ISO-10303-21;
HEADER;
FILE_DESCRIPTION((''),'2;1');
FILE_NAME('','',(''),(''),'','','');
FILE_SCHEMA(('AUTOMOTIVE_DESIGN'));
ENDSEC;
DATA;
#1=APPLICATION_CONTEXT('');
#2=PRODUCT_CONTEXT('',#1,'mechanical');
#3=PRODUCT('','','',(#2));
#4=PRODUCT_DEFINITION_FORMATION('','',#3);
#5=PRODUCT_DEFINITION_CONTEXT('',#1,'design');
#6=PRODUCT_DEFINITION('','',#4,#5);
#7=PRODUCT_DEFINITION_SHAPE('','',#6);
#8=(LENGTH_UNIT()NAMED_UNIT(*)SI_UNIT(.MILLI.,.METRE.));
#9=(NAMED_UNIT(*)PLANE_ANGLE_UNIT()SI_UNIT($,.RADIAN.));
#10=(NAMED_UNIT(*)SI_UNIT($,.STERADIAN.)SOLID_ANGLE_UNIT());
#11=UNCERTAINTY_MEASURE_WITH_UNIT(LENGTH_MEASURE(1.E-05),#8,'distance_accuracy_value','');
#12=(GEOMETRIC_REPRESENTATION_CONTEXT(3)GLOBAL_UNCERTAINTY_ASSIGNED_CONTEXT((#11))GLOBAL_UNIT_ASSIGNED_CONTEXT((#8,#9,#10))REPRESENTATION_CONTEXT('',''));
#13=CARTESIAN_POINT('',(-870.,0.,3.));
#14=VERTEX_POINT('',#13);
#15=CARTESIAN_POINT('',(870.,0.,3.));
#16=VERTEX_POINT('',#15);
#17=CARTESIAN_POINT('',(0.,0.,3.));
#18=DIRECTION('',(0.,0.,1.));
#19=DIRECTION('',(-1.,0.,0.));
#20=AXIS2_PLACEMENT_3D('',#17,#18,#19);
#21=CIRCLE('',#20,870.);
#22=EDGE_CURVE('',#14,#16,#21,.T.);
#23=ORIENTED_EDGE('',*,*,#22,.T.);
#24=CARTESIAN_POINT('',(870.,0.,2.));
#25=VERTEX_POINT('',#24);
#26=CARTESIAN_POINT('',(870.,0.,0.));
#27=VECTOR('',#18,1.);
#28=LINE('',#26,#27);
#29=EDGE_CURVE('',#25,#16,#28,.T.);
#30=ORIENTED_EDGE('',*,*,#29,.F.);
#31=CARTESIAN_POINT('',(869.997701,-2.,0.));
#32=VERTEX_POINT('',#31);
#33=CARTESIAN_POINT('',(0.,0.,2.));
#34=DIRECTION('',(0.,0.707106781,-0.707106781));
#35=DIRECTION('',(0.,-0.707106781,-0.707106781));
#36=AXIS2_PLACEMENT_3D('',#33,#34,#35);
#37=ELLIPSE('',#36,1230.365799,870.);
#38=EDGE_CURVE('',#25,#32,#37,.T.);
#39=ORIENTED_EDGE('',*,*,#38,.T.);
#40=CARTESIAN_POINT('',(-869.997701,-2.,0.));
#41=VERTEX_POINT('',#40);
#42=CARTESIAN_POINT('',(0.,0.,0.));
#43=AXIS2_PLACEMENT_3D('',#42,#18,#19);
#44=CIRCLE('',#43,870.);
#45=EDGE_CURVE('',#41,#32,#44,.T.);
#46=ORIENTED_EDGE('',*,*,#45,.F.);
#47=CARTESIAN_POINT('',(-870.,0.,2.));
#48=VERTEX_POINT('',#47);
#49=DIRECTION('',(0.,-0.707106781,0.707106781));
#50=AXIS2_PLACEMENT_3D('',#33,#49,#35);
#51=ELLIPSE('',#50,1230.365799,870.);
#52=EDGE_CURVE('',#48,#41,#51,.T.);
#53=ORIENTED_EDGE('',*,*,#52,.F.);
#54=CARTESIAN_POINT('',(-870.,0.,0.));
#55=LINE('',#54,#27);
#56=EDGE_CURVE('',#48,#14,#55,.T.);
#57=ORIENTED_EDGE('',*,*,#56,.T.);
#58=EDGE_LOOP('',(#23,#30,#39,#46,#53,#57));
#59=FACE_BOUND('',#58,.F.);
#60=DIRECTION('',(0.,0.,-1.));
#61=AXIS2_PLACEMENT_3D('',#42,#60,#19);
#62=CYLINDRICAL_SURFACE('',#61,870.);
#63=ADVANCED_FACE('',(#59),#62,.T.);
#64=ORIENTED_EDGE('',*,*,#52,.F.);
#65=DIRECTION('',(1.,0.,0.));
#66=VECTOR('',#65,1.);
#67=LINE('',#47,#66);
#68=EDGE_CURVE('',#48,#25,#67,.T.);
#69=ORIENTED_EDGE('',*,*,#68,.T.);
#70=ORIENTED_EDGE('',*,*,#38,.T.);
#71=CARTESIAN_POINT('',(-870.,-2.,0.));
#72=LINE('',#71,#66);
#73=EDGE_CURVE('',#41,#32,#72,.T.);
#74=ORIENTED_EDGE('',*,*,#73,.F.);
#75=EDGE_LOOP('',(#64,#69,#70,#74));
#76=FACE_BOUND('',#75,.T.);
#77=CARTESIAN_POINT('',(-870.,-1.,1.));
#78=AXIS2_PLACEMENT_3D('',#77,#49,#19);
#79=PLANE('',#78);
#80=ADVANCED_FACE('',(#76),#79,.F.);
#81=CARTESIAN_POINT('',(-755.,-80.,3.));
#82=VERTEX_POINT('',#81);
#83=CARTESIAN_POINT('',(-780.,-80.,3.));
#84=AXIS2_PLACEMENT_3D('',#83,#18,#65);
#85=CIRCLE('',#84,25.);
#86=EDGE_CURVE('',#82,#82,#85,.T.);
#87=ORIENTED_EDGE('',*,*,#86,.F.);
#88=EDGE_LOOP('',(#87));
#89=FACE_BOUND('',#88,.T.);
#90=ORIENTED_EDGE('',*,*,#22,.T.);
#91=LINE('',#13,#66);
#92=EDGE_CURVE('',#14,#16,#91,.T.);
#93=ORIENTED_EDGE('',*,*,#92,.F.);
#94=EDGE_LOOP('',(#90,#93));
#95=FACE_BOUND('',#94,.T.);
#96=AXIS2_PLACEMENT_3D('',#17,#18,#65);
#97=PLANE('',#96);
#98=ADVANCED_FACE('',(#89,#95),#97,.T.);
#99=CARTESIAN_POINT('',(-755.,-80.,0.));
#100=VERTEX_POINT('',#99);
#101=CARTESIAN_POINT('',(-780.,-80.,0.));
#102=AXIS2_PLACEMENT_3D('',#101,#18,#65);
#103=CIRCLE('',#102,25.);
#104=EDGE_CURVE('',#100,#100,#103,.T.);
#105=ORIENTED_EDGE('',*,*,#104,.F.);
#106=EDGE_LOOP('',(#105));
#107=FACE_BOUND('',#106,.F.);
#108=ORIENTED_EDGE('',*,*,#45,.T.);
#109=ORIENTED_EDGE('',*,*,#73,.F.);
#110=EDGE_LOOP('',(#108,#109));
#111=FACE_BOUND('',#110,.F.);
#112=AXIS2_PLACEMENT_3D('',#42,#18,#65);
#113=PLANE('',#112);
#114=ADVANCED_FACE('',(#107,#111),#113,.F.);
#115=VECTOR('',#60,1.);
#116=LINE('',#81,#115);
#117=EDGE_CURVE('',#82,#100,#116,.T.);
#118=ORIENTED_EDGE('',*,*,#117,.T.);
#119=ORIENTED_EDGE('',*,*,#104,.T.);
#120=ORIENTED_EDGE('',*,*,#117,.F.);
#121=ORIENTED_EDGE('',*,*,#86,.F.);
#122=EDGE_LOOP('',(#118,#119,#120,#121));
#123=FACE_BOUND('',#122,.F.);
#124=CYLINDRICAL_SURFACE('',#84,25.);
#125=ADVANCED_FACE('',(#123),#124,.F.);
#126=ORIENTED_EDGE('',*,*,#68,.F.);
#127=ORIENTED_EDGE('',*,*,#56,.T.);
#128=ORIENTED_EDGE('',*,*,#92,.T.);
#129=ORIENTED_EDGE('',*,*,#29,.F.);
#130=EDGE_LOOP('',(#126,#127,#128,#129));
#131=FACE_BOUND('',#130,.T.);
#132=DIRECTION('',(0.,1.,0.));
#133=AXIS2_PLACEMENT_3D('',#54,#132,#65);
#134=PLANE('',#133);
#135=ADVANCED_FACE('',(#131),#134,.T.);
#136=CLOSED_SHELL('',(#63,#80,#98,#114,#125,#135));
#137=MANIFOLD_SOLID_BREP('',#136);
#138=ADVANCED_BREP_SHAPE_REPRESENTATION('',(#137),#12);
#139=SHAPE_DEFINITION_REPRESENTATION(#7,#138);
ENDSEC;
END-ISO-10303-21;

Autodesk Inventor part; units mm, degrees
ref_plane "YZ Plane" through (0, 0, 0) normal (1, 0, 0) x (0, 1, 0)
ref_plane "XZ Plane" through (0, 0, 0) normal (0, 1, 0) x (-1, 0, 0)
ref_plane "XY Plane" through (0, 0, 0) normal (0, 0, 1) x (1, 0, 0)
sketch "Szkic1" plane through (0, 0, 0) normal (0, 0, 1) x (1, 0, 0)
  arc A0 (-870, 0) -> (870, 0) centre (0, 0) ccw
  line L0 (-870, 0) -> (870, 0)
  dimension "d0" = 1740
extrude "Płyta1" add sketch "Szkic1" along normal blind 3
sketch "Szkic2" plane through (0, 0, 3) normal (0, 0, 1) x (1, 0, 0)
  circle A0 centre (-780, -80) radius 25
  arc A1 (-870, 0) -> (870, 0) centre (0, 0) ccw projected
  dimension "d2" = 50
  dimension "d3" = 80
  dimension "d4" = 780
extrude "Wyciągnięcie proste1" cut sketch "Szkic2" against normal blind 10
chamfer "Faza1" distance 2 angle 45 1 edges at (0, 0, 0)
equation "\"d1\" = Grubość"
equation "\"PromieńGięcia\" = Grubość"
equation "\"SzerokośćGięciaPodcięcia\" = Grubość"
equation "\"GłębokośćGięciaPodcięcia\" = 0.5 * Grubość"
equation "\"RozmiarPodcięciaNarożnika\" = 4 * Grubość"
equation "\"MinimalnaPozostałość\" = 2 * Grubość"
equation "\"PromieńPrzejścia\" = PromieńGięcia"
equation "\"Rozmiar_promienia_Jacobiego\" = PromieńGięcia"
equation "\"Wielk_odstępu\" = Grubość"
equation "\"Grubość\" = 3"
properties part number "fllooor22" material "Stal nierdzewna"
